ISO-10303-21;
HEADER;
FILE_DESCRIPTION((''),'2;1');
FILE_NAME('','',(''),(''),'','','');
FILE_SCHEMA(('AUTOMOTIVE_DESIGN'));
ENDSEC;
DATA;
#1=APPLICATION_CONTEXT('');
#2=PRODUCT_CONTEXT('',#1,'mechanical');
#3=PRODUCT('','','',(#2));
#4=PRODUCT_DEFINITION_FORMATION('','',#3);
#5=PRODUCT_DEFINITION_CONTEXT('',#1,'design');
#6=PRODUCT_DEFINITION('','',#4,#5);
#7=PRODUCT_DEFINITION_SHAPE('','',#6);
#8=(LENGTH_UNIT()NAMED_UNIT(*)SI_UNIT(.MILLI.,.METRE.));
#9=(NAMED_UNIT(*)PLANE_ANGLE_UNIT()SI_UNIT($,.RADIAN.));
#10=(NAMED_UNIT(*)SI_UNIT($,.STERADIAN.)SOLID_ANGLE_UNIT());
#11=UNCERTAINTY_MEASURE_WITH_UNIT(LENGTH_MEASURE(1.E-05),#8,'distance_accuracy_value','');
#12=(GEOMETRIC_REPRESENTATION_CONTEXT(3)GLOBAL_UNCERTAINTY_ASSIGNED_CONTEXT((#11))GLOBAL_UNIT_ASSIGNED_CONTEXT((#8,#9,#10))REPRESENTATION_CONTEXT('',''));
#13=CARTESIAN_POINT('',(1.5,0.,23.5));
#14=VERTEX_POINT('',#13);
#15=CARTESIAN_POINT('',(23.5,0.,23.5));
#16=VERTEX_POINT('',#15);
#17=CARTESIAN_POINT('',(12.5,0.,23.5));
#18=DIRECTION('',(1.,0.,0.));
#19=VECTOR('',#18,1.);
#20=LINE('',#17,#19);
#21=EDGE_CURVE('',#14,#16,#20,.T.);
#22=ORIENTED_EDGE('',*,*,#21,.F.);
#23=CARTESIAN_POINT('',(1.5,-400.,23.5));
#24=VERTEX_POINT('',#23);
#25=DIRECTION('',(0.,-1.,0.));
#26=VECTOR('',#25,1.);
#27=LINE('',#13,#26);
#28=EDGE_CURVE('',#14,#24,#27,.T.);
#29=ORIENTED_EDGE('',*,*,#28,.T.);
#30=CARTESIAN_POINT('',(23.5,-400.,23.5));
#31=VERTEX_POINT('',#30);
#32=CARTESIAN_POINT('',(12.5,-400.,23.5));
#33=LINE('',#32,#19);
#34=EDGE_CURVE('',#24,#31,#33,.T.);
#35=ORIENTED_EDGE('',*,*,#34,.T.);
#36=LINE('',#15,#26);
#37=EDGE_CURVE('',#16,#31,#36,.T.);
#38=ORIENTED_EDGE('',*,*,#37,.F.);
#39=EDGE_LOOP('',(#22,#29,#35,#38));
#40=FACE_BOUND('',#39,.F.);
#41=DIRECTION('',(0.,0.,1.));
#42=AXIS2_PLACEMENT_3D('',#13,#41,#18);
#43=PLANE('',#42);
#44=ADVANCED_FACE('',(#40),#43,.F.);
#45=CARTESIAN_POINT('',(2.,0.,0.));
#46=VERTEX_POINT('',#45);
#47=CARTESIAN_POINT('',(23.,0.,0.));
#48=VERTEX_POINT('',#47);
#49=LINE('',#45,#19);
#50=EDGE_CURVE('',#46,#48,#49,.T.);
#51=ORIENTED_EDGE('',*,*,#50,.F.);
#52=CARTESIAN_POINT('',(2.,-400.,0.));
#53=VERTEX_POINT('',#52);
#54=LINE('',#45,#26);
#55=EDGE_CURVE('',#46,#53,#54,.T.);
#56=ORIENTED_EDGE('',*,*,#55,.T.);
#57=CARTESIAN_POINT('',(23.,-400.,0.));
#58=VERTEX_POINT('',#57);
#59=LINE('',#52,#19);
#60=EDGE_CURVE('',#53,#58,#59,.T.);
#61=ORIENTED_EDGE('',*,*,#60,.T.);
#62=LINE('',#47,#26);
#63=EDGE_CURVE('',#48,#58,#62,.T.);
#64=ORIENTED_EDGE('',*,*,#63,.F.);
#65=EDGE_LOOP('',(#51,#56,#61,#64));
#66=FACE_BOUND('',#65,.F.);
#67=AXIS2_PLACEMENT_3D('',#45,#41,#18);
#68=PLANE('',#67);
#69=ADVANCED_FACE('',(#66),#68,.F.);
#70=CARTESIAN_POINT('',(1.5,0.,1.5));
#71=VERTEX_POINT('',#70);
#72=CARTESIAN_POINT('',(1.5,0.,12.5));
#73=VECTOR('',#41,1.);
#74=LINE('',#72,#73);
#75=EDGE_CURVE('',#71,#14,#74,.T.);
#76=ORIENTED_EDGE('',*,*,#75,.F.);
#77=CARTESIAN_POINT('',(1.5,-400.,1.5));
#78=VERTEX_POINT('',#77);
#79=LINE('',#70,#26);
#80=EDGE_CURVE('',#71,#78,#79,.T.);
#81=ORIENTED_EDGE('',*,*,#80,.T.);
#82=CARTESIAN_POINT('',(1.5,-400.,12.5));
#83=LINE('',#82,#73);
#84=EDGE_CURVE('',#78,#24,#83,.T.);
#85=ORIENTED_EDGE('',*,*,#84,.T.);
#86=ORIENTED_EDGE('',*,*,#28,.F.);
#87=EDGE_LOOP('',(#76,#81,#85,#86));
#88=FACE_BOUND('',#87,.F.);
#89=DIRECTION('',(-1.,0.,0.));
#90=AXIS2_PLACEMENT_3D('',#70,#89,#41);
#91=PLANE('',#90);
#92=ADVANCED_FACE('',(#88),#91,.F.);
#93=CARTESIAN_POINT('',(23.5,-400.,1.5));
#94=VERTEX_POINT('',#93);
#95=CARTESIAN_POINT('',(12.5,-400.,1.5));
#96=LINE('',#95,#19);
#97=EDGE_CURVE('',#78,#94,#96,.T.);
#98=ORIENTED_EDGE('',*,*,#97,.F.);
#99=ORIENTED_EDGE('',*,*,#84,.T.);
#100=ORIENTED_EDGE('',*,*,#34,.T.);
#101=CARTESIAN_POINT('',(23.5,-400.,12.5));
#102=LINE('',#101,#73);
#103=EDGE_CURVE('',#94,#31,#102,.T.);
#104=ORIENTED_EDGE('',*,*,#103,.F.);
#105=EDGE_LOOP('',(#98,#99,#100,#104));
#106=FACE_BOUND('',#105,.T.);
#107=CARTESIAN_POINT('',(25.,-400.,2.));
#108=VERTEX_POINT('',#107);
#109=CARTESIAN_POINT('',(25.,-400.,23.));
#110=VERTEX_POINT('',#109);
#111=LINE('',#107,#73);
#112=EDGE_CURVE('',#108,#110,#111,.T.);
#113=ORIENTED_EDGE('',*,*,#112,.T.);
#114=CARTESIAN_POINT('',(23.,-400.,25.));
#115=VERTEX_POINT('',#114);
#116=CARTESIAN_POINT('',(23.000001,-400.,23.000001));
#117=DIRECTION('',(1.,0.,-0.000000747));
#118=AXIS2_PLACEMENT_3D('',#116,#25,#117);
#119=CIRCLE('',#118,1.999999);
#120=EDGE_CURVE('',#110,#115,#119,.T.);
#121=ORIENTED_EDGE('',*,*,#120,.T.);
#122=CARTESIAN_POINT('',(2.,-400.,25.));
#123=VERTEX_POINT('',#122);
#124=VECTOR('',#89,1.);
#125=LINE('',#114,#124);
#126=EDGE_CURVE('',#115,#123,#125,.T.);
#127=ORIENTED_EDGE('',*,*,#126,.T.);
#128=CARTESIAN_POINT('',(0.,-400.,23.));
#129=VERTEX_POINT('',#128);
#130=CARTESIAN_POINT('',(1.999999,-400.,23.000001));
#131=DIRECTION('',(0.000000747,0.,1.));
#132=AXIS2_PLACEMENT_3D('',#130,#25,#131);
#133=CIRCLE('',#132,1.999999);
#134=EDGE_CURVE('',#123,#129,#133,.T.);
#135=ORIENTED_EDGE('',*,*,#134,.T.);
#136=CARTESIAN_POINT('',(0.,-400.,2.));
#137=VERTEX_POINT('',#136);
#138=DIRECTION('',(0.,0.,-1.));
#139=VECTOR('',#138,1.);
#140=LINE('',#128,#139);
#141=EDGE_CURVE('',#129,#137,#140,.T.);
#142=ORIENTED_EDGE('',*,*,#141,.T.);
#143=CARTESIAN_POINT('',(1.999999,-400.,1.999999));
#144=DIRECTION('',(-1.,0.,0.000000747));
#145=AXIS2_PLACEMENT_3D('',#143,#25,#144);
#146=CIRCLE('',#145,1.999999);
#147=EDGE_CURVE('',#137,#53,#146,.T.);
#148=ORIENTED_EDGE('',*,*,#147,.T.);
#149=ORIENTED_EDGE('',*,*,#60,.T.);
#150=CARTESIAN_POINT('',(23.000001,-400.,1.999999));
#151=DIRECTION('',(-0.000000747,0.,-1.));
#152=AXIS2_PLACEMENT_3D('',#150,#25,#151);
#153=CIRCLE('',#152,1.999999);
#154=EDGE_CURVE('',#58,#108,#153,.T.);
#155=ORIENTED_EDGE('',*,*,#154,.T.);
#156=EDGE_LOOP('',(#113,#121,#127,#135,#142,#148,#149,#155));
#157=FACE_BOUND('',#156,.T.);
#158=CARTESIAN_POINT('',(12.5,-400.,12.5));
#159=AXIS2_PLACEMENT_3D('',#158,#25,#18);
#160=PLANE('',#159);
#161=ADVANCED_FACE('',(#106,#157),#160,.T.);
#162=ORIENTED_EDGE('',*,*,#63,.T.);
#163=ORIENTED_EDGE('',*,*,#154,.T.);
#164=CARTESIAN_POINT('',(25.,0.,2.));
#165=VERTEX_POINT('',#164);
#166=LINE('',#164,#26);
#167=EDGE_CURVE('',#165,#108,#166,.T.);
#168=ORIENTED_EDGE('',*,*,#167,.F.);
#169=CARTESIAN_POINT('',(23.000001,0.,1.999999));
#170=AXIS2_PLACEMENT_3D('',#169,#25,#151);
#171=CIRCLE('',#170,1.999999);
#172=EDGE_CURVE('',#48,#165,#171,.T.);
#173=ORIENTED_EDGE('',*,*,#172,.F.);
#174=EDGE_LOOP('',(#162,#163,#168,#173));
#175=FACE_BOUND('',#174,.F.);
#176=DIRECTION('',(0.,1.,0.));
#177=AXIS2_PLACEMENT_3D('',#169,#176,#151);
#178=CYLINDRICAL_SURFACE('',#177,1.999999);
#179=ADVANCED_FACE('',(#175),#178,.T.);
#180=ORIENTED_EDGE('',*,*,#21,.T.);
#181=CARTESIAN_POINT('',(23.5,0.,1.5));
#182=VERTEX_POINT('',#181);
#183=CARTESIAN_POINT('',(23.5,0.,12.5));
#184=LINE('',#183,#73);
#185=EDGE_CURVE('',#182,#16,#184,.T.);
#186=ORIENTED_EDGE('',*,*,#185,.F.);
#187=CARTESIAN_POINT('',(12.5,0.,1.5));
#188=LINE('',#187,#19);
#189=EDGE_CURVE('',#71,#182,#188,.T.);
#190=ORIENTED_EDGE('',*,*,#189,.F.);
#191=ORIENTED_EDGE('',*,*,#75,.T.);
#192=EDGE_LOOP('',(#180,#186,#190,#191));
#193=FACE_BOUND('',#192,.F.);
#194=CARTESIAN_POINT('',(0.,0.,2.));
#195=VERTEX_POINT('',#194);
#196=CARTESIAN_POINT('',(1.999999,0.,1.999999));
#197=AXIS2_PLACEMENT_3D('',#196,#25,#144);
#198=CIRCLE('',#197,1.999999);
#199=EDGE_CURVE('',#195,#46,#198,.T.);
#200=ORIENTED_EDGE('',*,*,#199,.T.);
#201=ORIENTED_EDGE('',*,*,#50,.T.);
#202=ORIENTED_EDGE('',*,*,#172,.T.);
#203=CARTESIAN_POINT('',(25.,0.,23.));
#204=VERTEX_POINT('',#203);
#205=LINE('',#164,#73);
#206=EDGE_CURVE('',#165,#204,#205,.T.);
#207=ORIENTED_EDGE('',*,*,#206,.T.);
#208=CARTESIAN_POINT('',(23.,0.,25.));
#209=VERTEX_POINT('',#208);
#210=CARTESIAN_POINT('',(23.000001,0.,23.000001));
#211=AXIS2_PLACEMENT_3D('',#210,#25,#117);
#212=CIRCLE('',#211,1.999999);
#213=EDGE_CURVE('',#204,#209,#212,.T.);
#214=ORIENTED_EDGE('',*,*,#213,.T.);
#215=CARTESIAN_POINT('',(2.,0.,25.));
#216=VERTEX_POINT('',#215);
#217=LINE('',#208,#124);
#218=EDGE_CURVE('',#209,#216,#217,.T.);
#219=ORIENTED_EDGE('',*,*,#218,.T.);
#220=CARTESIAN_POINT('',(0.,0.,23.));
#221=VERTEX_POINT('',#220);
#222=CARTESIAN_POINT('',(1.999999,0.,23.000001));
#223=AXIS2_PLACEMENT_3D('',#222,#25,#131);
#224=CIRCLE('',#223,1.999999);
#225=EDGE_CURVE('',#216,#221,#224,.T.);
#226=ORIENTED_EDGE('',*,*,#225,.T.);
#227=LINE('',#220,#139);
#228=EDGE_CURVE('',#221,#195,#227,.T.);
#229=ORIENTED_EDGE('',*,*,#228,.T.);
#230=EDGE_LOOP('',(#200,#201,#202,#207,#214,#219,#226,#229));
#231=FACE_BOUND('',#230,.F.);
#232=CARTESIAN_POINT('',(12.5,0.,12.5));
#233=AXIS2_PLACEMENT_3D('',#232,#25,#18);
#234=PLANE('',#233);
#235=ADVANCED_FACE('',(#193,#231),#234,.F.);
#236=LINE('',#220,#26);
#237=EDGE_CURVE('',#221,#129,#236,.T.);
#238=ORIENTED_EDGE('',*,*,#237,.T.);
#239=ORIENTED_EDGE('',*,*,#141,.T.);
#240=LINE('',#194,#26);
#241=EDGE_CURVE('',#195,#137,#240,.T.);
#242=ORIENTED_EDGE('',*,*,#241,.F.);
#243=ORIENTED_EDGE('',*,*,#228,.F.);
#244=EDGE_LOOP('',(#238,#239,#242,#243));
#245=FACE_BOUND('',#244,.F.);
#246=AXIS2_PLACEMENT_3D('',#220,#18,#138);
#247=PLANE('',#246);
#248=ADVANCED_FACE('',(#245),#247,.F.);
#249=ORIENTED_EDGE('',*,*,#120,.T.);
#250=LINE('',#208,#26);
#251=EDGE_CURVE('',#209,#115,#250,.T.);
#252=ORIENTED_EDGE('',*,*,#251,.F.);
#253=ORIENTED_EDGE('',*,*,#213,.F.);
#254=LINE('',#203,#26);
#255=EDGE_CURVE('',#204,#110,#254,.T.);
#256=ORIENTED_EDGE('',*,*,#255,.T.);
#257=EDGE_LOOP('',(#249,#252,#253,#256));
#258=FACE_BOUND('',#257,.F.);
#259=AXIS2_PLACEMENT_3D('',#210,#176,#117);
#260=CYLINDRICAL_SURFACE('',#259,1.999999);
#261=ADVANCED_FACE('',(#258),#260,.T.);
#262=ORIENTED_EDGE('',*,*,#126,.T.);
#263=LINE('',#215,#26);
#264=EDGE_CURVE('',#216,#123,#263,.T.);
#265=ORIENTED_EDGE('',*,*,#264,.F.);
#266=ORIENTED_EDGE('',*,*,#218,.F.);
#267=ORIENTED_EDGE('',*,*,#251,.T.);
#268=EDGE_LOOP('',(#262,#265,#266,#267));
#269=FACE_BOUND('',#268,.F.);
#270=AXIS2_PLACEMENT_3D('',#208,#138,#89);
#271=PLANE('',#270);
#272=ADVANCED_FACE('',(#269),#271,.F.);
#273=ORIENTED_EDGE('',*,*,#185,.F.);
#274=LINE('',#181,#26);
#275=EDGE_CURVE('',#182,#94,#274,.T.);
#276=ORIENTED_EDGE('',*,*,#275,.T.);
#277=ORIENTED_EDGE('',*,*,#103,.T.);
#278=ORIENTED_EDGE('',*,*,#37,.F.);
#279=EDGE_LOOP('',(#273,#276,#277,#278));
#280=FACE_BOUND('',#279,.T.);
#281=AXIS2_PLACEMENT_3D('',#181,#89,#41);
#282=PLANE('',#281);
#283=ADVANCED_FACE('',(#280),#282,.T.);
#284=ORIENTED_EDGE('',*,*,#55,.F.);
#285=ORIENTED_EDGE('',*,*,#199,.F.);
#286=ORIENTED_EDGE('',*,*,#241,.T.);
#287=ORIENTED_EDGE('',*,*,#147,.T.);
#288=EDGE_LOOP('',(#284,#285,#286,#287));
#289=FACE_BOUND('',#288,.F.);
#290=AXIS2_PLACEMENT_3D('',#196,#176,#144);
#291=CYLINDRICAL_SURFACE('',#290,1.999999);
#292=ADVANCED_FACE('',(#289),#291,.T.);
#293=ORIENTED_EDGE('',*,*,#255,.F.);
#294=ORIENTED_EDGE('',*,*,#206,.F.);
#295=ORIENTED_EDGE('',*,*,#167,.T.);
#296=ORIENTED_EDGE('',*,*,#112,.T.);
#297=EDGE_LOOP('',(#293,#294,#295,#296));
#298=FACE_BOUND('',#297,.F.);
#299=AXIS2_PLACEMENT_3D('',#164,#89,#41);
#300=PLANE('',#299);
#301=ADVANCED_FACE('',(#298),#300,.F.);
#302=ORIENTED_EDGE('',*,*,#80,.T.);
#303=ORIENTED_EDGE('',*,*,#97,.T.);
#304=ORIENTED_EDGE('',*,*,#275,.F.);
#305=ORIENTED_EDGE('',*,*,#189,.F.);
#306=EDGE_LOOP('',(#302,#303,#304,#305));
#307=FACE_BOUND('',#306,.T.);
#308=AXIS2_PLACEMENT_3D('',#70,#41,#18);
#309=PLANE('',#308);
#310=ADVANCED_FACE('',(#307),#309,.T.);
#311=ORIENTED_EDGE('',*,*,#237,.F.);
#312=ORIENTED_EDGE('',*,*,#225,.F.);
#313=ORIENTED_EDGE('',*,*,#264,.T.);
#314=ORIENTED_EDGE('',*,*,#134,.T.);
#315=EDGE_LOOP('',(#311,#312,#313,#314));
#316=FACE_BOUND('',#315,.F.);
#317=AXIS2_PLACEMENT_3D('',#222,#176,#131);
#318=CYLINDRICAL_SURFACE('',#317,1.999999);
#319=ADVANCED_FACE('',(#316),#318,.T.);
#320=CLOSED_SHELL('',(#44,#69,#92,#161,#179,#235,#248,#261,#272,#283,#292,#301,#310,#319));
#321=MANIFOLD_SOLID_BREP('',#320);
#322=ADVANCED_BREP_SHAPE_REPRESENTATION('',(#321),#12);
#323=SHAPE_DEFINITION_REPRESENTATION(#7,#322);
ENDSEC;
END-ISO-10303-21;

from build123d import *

# Parameters (mm, degrees)
F0_W     = 22
F0_H     = 22
F1_DEPTH = 400


with BuildPart() as f1:
    # F0 (on Front) → F1 (new body)
    with BuildSketch(Plane.XZ):
        with BuildLine():
            ThreePointArc((0, 2), (0.585786, 0.585786), (2, 0))
            Line((2, 0), (23, 0))
            ThreePointArc((23, 0), (24.414214, 0.585786), (25, 2))
            Line((25, 2), (25, 23))
            ThreePointArc((25, 23), (24.414214, 24.414214), (23, 25))
            Line((23, 25), (2, 25))
            ThreePointArc((2, 25), (0.585786, 24.414214), (0, 23))
            Line((0, 23), (0, 2))
        make_face()
        with Locations((12.5, 12.5)):
            Rectangle(F0_W, F0_H, mode=Mode.SUBTRACT)
    extrude(amount=F1_DEPTH)


solid = f1.part
